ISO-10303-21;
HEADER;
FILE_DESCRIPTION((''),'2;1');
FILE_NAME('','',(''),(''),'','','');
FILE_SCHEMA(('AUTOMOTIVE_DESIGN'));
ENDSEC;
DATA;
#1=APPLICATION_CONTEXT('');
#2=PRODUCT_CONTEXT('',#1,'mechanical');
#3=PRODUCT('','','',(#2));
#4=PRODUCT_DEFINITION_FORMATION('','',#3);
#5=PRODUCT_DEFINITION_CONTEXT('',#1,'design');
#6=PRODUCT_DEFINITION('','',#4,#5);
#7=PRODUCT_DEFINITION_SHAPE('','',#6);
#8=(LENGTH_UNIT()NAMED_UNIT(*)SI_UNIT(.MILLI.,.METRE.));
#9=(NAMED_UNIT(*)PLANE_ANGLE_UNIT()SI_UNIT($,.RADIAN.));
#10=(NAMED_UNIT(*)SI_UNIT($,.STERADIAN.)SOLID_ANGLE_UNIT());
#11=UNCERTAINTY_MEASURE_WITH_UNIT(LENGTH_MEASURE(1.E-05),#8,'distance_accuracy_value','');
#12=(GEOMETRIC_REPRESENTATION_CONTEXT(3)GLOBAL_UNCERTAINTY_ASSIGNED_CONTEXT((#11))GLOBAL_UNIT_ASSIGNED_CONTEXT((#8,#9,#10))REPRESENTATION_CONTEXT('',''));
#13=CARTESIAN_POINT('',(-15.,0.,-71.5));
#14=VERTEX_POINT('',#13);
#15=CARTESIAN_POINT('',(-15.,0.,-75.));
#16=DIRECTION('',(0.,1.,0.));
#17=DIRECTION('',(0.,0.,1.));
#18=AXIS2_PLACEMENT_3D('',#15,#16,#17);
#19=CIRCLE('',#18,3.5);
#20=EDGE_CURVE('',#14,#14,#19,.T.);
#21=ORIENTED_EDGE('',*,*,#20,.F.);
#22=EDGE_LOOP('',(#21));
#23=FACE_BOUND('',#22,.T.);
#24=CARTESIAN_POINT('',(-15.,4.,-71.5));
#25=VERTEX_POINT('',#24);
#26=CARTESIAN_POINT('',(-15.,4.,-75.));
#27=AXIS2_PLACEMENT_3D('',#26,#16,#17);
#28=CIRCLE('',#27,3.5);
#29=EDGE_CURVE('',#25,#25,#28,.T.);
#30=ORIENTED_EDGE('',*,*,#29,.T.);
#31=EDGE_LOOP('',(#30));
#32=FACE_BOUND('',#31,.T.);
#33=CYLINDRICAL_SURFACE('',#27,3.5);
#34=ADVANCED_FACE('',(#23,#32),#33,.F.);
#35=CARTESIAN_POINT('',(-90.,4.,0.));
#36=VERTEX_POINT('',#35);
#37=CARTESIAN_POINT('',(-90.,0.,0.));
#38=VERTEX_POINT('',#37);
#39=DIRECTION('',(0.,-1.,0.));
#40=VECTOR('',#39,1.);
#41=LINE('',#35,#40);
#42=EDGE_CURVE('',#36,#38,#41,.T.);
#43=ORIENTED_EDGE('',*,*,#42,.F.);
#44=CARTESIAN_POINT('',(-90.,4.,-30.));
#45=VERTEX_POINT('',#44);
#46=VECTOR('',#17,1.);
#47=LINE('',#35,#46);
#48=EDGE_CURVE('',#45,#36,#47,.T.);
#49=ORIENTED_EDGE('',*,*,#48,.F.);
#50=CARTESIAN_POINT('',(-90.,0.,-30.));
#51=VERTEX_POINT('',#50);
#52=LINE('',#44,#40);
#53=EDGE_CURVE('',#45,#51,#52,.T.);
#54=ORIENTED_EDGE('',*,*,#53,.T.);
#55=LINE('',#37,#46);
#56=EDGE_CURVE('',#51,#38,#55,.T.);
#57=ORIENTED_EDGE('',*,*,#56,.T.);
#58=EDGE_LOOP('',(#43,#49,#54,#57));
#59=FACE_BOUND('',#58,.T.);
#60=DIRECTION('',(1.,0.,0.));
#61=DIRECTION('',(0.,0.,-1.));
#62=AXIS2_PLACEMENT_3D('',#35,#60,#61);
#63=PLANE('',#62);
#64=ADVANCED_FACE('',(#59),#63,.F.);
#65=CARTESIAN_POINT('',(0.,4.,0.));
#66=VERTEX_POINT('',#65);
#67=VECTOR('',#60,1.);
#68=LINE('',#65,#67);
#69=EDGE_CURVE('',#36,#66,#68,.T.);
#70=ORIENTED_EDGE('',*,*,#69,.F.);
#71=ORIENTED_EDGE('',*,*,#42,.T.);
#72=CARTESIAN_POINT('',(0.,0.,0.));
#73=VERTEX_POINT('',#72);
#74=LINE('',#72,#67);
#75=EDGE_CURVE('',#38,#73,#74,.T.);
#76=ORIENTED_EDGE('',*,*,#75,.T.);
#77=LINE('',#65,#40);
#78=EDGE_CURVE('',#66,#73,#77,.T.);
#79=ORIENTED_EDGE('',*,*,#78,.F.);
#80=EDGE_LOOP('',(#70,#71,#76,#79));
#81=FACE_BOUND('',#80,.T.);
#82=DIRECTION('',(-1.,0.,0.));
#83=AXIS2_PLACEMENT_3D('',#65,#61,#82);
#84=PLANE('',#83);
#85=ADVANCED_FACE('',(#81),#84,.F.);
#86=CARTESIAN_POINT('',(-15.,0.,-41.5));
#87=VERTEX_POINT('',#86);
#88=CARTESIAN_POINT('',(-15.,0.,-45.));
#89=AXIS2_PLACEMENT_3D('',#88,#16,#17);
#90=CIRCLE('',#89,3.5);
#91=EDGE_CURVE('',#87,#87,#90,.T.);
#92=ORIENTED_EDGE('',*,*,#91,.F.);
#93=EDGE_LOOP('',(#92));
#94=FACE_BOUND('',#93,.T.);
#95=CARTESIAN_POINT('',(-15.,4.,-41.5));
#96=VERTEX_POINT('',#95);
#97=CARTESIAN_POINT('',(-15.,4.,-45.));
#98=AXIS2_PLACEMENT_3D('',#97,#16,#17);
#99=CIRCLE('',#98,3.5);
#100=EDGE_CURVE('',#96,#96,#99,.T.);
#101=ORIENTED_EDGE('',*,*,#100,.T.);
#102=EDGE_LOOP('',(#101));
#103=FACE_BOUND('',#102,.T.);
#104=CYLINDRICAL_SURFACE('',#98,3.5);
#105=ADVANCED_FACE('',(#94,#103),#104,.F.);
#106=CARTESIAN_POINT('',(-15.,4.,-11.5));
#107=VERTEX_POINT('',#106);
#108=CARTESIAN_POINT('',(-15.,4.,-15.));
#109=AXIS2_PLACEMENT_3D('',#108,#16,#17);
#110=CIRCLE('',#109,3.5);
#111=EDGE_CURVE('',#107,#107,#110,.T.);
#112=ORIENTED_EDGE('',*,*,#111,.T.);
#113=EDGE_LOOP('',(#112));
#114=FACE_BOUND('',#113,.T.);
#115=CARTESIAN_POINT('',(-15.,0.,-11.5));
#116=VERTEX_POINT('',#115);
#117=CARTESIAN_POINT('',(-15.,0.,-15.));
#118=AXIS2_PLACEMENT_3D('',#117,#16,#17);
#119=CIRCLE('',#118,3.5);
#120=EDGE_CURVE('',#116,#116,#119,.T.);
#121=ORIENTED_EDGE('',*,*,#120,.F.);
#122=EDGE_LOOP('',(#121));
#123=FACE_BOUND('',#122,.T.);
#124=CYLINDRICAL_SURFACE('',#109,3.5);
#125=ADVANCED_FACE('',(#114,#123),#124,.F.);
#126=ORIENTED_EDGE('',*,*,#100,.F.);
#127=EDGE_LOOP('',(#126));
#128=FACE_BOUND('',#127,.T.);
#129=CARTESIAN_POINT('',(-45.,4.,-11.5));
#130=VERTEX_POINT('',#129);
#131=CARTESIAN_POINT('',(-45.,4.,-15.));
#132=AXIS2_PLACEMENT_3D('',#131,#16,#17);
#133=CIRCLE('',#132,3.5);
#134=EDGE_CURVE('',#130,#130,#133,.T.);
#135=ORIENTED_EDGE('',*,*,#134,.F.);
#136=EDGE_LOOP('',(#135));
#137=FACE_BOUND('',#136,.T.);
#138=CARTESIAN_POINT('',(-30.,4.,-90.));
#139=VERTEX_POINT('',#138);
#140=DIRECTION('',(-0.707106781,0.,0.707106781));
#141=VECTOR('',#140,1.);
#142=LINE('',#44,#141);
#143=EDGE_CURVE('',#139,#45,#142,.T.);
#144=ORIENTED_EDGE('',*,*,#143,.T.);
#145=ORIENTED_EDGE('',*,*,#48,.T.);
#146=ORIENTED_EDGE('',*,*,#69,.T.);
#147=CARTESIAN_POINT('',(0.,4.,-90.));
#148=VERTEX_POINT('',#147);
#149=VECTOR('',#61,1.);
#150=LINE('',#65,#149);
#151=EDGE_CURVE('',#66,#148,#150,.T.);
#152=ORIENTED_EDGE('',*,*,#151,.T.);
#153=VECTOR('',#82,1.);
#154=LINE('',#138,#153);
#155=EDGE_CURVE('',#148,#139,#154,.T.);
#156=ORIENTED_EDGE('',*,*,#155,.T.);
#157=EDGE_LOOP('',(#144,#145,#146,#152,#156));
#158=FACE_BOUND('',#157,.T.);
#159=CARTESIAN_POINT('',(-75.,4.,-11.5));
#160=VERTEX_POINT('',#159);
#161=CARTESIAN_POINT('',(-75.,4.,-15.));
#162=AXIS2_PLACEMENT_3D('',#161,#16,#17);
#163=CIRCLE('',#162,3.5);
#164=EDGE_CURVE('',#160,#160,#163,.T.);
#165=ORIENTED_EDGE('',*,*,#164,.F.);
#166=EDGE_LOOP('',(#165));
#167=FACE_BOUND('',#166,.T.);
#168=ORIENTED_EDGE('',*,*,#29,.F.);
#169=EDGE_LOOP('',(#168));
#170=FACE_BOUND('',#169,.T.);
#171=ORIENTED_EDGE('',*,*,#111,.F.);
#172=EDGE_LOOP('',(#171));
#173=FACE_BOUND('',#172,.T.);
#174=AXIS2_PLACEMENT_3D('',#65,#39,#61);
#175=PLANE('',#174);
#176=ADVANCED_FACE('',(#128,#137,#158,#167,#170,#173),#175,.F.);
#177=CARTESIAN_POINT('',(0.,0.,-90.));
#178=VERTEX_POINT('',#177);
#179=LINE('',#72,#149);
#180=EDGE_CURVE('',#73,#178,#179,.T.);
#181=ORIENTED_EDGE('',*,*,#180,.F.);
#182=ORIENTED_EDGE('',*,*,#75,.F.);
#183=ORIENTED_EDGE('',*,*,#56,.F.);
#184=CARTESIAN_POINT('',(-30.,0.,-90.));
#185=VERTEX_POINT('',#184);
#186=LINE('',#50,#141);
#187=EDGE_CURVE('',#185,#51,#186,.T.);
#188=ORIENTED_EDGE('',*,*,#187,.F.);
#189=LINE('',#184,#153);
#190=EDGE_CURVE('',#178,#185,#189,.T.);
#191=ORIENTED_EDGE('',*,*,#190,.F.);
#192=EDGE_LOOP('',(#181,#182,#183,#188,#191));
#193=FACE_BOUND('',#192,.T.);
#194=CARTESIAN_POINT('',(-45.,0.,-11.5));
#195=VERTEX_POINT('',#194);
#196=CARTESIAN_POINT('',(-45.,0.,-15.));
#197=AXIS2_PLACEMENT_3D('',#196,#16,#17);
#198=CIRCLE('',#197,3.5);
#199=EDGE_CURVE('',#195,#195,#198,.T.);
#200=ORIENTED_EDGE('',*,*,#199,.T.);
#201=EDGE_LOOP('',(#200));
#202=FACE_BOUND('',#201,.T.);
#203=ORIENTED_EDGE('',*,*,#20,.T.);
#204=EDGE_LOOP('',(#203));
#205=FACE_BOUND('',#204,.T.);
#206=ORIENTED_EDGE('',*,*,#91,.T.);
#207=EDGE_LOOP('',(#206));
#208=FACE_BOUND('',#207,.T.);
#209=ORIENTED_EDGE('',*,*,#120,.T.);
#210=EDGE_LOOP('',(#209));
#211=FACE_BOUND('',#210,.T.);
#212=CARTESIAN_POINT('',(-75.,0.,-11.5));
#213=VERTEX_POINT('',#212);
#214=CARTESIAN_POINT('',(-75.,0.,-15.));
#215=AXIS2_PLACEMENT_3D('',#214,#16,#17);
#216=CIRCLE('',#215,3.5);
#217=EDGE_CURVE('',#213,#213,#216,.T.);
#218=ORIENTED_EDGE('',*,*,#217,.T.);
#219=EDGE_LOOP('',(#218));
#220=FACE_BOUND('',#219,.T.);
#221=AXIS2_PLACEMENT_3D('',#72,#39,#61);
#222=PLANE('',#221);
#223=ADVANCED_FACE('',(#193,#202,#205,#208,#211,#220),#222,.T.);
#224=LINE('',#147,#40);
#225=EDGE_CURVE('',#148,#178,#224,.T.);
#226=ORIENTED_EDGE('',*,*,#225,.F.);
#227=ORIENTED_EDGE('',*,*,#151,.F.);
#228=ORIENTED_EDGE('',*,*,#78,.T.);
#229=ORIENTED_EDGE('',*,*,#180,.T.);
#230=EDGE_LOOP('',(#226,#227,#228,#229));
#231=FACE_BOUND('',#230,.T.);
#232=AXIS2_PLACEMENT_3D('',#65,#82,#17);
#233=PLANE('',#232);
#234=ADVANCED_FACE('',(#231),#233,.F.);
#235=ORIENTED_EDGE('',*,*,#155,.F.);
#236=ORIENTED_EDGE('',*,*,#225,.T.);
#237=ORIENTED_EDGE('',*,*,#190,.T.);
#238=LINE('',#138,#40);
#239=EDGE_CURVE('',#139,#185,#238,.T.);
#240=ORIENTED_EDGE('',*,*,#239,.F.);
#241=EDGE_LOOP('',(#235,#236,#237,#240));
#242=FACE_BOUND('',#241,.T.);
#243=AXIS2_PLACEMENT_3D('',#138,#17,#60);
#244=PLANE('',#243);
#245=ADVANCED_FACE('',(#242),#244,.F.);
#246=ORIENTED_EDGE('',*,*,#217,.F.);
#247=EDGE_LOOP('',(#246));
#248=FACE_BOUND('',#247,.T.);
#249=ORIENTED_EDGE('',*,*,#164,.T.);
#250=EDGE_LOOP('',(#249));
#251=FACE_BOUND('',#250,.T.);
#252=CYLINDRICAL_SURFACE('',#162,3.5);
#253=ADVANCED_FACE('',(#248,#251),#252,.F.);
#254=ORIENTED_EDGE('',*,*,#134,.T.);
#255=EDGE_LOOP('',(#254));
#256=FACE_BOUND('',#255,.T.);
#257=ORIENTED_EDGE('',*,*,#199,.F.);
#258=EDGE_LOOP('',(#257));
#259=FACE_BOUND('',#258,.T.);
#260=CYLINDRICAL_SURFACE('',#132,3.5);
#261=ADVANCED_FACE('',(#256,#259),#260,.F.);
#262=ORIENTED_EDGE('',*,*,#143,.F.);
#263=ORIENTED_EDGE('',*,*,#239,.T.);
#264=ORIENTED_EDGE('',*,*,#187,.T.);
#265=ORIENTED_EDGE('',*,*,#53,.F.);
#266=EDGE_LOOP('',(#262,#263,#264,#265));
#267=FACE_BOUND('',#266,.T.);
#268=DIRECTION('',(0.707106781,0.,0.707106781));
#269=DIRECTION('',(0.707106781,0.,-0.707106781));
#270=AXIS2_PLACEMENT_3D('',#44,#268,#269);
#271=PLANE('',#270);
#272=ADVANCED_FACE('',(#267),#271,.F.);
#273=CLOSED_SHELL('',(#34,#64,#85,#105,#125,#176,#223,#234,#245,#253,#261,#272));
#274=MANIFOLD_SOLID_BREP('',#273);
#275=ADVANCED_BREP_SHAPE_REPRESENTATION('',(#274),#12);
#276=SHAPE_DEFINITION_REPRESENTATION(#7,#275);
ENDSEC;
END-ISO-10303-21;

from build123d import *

# Parameters (mm, degrees)
BOSS_EXTRUDE1_DEPTH  = 4
M6_CLEARANCE_HOLE1_D = 7


with BuildPart() as part:
    # Sketch1 → Boss-Extrude1 (new body)
    with BuildSketch(Plane(origin=(0, 0, 0), x_dir=(1, 0, 0), z_dir=(0, 1, 0))):
        Polygon((0, 0), (-90, 0), (-90, 30), (-30, 90), (0, 90), align=None)
    extrude(amount=BOSS_EXTRUDE1_DEPTH)

    # M6 Clearance Hole1 (through all)
    with Locations(Plane(origin=(0, 4, 0), x_dir=(1, 0, 0), z_dir=(0, 1, 0))):
        with Locations((-75, 15), (-45, 15), (-15, 15), (-15, 45), (-15, 75)):
            Hole(M6_CLEARANCE_HOLE1_D / 2)


solid = part.part
